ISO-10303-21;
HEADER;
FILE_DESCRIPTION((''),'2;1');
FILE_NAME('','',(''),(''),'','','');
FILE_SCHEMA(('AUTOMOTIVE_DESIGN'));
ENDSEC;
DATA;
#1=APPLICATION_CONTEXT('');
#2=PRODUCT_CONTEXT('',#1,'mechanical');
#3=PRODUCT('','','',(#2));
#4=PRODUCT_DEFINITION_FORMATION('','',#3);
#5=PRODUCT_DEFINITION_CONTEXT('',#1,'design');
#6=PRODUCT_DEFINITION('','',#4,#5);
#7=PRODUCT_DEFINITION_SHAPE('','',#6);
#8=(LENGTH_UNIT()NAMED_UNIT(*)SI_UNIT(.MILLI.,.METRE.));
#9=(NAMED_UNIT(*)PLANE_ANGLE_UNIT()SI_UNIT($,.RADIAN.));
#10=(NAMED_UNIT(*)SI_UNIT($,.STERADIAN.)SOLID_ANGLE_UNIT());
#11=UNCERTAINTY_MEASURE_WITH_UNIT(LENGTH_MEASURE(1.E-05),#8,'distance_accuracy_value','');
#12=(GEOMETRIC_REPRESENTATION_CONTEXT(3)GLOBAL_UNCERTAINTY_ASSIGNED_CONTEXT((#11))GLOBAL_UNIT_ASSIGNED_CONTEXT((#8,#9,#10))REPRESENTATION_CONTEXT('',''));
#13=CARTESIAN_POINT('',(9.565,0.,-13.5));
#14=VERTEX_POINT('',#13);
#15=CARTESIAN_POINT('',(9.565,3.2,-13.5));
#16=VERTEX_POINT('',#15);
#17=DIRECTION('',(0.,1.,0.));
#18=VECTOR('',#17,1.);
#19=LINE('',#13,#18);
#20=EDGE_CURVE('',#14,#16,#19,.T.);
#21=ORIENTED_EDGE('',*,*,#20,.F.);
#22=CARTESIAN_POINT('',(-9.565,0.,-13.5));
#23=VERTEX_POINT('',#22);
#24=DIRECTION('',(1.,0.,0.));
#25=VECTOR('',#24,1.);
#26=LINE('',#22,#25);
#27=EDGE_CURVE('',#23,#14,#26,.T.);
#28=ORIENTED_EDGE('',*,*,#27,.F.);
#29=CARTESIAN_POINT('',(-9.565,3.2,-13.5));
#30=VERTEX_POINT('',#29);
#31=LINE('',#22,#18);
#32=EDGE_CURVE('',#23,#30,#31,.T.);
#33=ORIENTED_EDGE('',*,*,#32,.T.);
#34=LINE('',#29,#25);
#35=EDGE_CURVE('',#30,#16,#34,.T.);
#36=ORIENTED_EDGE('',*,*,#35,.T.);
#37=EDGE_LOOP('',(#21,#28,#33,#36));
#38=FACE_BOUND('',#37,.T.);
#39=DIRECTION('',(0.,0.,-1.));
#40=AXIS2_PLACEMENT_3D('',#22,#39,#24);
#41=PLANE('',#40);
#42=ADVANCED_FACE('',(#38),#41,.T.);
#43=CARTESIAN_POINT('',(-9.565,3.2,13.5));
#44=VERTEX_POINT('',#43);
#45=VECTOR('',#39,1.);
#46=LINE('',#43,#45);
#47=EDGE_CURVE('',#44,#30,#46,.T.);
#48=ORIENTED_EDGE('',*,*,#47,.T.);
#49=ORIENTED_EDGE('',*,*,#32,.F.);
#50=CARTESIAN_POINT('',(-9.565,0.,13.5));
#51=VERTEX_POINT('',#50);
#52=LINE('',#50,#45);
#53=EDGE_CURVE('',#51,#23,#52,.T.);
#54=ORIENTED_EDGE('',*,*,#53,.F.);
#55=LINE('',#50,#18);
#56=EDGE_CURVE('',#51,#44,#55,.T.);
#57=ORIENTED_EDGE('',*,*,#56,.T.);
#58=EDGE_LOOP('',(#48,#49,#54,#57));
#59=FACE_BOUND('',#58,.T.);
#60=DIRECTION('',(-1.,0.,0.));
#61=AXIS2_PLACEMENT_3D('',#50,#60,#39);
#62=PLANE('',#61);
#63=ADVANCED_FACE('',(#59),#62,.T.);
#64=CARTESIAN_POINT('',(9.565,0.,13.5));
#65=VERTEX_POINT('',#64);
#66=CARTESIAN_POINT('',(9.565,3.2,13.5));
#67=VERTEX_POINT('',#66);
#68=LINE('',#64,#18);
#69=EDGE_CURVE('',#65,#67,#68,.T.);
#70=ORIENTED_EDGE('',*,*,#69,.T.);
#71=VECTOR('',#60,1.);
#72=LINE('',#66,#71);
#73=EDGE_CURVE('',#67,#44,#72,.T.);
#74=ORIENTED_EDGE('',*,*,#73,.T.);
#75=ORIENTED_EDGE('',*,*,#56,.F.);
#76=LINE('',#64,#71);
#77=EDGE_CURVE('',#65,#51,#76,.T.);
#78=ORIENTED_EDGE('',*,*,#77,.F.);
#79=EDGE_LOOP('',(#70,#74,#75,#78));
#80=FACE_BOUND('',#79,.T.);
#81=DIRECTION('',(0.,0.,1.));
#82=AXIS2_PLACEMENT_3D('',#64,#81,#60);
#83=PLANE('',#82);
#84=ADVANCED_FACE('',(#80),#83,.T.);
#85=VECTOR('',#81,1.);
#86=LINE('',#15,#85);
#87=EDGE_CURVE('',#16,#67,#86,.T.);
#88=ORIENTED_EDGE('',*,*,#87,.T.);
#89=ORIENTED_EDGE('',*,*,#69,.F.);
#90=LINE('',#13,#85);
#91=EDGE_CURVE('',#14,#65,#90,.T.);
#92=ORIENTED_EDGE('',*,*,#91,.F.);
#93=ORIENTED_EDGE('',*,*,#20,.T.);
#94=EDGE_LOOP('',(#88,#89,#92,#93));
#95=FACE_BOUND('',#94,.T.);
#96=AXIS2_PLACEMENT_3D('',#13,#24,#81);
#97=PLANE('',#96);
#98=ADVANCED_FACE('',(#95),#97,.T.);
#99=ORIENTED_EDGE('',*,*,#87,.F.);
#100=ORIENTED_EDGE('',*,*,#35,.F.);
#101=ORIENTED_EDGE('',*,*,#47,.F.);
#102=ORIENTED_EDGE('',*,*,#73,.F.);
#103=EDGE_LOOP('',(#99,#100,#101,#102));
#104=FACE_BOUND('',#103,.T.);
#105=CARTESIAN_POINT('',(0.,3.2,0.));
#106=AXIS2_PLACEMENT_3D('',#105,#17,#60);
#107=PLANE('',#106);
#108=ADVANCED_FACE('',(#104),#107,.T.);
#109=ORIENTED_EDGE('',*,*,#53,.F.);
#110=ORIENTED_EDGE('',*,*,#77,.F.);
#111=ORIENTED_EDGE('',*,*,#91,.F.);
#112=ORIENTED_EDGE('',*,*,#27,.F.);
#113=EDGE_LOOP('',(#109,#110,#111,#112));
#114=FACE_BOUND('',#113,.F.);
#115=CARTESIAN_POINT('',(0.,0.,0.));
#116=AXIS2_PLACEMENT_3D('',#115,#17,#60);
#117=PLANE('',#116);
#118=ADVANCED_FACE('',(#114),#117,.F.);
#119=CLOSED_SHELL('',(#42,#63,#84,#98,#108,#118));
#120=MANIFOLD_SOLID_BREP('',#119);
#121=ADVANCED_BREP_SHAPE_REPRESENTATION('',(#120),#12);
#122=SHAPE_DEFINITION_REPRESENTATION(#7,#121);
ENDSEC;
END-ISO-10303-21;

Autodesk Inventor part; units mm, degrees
ref_plane "YZ Plane" through (0, 0, 0) normal (1, 0, 0) x (0, 1, 0)
ref_plane "XZ Plane" through (0, 0, 0) normal (0, 1, 0) x (-1, 0, 0)
ref_plane "XY Plane" through (0, 0, 0) normal (0, 0, 1) x (1, 0, 0)
sketch "Boceto1" plane through (0, 0, 0) normal (0, 1, 0) x (-1, 0, 0)
  line L0 (9.565, -13.5) -> (-9.565, -13.5)
  line L1 (-9.565, -13.5) -> (-9.565, 13.5)
  line L2 (-9.565, 13.5) -> (9.565, 13.5)
  line L3 (9.565, 13.5) -> (9.565, -13.5)
  line L4 (9.565, -13.5) -> (-9.565, 13.5) construction
  line L5 (-9.565, -13.5) -> (9.565, 13.5) construction
  point P0 (0, 0)
  point P1 (0, 0)
  dimension "d0" = 19.13
  dimension "d1" = 27
extrude "Extrusión1" add sketch "Boceto1" along normal blind 3.2
properties part number "UWB"
